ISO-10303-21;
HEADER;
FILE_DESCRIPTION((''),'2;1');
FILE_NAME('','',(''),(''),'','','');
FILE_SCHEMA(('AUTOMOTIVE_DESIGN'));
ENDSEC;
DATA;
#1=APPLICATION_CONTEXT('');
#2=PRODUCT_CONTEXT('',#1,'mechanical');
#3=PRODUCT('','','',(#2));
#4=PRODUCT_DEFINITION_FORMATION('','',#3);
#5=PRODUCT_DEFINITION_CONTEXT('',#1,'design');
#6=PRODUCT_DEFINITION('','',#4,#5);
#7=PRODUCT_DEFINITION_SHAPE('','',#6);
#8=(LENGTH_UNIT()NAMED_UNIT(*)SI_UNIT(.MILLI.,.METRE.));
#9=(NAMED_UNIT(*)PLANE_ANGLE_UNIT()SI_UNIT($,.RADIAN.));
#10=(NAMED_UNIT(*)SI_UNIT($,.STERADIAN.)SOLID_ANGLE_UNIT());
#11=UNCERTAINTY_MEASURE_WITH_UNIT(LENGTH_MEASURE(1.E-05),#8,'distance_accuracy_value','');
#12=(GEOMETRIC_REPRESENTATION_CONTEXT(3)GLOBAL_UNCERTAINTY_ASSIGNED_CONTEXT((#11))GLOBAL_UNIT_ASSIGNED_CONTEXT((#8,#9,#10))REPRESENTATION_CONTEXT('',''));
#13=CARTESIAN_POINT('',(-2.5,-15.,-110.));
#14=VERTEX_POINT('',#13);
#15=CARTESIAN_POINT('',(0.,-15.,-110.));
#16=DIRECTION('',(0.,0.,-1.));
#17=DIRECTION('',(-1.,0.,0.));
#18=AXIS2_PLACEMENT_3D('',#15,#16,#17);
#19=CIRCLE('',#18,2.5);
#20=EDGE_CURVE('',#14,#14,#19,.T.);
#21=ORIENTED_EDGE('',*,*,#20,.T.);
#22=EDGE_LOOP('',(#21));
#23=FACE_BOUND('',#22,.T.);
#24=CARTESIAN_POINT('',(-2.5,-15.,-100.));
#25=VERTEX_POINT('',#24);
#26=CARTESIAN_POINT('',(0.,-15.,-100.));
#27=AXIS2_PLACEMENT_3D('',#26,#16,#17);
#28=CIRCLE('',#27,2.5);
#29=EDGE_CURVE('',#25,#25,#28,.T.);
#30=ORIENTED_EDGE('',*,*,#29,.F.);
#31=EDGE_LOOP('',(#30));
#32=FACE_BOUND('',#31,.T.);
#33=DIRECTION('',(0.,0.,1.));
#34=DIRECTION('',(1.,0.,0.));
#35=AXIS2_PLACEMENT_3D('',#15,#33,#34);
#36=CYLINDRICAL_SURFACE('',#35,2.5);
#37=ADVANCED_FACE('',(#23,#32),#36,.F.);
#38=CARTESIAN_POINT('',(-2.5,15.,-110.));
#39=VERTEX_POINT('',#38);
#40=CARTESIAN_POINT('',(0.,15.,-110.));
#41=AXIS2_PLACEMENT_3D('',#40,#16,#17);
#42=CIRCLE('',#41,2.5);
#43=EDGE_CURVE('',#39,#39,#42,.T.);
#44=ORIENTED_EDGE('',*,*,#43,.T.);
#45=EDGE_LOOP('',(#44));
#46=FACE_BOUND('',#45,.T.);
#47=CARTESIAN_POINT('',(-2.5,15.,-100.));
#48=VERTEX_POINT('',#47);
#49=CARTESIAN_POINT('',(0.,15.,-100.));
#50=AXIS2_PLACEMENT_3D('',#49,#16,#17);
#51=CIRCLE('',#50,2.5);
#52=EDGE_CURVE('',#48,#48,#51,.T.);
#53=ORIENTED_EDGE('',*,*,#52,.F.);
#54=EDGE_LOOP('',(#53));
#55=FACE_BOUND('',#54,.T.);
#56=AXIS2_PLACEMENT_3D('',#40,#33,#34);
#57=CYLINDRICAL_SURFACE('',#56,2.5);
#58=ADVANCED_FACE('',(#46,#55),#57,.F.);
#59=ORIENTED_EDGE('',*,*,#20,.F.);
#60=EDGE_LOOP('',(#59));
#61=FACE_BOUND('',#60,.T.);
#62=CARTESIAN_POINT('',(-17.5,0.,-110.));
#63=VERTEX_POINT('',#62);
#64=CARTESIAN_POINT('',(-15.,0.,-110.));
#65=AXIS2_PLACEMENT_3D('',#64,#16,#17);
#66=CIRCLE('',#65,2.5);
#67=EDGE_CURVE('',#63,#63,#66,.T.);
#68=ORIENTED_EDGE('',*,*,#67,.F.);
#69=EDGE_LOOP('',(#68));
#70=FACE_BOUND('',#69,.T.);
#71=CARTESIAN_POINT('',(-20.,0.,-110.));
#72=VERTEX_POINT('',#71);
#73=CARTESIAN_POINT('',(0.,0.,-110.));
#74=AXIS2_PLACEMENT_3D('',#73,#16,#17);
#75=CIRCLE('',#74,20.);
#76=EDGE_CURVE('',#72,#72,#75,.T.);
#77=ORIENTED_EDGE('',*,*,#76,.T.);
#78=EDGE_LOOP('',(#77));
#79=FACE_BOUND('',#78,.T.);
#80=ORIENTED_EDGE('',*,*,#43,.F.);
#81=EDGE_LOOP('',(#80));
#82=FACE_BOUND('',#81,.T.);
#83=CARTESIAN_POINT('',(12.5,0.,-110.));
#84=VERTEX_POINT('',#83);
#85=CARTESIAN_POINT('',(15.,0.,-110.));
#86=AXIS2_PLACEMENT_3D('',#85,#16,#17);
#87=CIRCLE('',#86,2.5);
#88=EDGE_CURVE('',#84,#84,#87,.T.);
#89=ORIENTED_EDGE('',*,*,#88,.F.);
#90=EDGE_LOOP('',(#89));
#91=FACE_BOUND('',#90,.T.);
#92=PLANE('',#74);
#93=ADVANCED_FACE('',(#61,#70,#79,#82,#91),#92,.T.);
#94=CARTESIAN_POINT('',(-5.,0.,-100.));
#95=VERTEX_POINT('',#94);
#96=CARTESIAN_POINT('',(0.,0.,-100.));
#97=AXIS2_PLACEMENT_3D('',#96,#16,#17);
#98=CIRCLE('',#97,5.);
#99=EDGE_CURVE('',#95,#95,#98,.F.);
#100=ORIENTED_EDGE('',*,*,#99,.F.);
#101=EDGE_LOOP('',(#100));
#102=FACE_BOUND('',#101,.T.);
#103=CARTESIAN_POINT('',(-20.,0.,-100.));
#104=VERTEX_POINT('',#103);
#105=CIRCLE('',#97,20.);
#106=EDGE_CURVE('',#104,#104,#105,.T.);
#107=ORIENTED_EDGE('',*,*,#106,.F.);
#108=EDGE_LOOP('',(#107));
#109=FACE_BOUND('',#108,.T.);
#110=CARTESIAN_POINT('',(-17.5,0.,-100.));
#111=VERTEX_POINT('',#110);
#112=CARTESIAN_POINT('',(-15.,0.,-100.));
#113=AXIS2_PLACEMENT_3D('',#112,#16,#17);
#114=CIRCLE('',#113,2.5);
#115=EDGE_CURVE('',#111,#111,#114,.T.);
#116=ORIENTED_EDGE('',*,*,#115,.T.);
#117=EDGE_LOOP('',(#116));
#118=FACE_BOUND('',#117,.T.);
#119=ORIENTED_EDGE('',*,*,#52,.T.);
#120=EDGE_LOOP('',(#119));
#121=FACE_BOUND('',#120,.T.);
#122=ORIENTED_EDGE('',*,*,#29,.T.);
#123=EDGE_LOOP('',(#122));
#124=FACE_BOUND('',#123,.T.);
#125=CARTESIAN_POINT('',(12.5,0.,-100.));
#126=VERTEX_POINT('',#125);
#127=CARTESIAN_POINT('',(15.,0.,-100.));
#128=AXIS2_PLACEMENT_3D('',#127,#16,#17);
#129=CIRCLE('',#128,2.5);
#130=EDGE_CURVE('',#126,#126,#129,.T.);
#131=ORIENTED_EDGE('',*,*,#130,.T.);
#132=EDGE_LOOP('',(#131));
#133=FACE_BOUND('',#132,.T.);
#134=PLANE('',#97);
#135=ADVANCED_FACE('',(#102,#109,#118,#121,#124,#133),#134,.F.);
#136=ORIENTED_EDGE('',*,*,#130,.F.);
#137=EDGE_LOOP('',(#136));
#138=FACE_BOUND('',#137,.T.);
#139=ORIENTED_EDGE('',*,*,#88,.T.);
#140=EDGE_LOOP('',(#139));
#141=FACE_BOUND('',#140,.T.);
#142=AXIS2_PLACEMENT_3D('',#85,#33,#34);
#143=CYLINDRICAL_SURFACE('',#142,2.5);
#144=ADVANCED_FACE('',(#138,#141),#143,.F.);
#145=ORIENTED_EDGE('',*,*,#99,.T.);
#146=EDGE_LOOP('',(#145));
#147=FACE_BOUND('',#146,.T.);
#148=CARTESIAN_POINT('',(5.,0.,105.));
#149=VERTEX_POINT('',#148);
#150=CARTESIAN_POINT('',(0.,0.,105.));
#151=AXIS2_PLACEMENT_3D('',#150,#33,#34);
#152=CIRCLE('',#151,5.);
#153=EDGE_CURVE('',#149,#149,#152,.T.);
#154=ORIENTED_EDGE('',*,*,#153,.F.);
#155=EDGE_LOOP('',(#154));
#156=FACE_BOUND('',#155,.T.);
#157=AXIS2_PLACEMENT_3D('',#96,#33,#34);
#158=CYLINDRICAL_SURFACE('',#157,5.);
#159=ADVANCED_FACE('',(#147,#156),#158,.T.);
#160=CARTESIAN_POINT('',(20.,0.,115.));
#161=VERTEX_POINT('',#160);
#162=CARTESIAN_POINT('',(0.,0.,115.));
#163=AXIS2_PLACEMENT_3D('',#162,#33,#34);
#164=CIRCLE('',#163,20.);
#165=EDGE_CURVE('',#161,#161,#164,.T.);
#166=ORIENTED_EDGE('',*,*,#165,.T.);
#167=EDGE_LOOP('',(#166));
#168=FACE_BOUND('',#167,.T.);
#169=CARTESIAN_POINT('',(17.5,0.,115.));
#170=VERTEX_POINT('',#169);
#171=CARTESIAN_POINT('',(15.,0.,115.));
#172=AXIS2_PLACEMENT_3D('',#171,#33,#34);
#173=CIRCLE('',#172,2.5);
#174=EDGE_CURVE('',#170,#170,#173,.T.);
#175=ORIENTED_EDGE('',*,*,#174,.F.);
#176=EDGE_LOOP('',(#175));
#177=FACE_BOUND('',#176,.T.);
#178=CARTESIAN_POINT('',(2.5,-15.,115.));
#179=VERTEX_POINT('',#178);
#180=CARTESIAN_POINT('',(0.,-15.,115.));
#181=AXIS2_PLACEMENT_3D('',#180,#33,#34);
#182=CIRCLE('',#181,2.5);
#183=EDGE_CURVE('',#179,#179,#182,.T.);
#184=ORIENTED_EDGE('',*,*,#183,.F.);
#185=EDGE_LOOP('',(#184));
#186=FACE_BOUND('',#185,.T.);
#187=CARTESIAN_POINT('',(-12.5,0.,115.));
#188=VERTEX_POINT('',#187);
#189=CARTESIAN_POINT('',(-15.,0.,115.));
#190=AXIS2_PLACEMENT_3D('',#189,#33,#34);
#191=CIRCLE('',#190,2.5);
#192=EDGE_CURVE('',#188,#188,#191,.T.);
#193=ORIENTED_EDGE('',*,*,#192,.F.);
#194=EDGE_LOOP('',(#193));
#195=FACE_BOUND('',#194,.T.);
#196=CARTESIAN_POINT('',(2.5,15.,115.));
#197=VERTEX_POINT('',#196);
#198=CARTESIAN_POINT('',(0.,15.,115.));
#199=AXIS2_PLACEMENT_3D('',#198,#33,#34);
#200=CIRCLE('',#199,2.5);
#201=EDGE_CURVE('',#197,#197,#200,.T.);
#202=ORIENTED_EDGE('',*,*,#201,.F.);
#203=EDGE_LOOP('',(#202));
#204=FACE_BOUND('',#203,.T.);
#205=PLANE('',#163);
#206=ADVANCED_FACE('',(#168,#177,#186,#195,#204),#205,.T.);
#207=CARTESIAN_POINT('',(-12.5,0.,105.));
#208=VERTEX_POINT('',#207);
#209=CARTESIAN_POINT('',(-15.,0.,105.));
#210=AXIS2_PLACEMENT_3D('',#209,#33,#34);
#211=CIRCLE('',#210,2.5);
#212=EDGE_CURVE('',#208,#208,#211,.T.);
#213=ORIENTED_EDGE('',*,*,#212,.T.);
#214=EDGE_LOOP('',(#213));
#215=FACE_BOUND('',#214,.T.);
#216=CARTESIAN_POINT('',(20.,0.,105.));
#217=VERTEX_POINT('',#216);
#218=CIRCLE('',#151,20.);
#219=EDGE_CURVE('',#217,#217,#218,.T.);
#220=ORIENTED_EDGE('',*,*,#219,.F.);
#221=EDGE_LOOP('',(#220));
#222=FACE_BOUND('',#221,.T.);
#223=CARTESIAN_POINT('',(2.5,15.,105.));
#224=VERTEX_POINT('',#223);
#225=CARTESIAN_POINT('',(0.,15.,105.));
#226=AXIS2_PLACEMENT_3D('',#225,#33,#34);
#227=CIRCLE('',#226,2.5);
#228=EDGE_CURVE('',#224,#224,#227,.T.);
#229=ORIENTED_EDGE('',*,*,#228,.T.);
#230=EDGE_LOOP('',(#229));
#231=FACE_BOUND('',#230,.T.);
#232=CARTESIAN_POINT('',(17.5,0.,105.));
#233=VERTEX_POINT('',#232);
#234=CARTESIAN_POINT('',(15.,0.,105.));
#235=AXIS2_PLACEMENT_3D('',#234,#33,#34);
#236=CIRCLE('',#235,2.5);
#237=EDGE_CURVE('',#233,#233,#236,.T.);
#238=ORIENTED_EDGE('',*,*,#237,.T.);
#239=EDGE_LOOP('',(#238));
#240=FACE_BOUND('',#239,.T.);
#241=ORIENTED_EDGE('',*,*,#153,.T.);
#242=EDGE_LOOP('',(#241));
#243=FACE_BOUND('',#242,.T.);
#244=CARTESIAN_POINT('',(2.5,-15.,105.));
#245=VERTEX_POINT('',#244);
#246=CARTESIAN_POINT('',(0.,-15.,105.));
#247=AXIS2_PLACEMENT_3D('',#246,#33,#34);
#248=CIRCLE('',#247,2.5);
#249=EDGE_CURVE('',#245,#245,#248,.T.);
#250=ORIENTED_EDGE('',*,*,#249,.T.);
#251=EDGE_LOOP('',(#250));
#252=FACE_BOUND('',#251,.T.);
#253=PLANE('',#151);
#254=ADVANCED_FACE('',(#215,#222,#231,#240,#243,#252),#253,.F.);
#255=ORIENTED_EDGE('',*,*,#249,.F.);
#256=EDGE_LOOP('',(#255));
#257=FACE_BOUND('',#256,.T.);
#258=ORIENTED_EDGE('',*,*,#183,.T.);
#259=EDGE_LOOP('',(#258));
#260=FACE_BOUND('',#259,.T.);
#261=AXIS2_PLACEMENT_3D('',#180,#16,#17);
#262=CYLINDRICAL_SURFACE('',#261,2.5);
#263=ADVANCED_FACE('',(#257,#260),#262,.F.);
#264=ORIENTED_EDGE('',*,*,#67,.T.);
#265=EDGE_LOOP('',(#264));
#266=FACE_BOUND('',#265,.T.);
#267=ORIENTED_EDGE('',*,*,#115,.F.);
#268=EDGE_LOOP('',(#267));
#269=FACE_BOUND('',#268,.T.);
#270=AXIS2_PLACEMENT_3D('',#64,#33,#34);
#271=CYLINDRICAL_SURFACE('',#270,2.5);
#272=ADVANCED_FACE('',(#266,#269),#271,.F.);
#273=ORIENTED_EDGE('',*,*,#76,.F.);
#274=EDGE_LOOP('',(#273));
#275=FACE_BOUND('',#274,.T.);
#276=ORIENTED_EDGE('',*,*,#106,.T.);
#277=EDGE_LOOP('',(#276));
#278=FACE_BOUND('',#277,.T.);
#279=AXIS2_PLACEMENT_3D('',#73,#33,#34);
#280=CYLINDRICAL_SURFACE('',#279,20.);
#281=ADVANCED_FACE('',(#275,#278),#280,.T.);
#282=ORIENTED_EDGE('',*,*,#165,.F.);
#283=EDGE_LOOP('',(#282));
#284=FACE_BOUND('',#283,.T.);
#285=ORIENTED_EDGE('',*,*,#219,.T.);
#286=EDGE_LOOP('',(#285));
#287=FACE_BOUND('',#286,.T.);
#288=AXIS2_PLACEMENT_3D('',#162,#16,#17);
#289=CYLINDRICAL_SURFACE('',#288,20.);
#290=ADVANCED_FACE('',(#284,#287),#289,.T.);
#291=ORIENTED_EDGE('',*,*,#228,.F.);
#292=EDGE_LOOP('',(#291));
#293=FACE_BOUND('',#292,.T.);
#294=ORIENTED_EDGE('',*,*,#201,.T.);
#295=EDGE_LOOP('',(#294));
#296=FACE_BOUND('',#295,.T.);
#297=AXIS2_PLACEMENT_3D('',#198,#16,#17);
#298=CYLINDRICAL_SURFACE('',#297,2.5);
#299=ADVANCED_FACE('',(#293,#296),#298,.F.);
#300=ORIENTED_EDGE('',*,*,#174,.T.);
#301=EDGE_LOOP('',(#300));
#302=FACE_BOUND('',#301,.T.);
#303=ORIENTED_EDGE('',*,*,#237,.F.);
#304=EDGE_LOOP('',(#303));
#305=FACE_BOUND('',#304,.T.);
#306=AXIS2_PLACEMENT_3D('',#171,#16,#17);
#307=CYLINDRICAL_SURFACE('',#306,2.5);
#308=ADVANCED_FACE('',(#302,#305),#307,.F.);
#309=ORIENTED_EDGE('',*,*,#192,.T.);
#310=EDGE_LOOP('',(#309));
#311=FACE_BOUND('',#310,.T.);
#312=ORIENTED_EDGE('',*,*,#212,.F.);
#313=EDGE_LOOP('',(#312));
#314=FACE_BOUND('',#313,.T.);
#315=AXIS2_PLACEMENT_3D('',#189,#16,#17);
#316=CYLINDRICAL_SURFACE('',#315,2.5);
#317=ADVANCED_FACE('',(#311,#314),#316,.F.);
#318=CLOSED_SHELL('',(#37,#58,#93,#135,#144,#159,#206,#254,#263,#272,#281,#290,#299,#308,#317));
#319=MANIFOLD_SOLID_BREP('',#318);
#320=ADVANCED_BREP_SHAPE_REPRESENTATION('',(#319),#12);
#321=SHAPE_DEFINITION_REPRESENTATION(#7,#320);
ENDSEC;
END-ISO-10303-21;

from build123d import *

# Parameters (mm, degrees)
SKETCH1_R                = 5
BOSS_EXTRUDE1_DEPTH      = 105
BOSS_EXTRUDE1_DEPTH_BACK = 100
SKETCH2_R                = 20
SKETCH2_R_2              = 2.5
BOSS_EXTRUDE2_DEPTH      = 10
SKETCH3_R                = 20
SKETCH3_R_2              = 2.5
BOSS_EXTRUDE3_DEPTH      = 10


with BuildPart() as part:
    # Sketch1 → Boss-Extrude1 (new body, two sides)
    with BuildSketch(Plane.XY) as boss_extrude1_sk:
        Circle(SKETCH1_R)
    extrude(amount=BOSS_EXTRUDE1_DEPTH)
    extrude(boss_extrude1_sk.sketch, amount=-BOSS_EXTRUDE1_DEPTH_BACK)

    # Sketch2 → Boss-Extrude2 (add)
    with BuildSketch(Plane.XY.offset(105)):
        Circle(SKETCH2_R)
        with Locations((0, 15)):
            Circle(SKETCH2_R_2, mode=Mode.SUBTRACT)
        with Locations((15, 0)):
            Circle(SKETCH2_R_2, mode=Mode.SUBTRACT)
        with Locations((0, -15)):
            Circle(SKETCH2_R_2, mode=Mode.SUBTRACT)
        with Locations((-15, 0)):
            Circle(SKETCH2_R_2, mode=Mode.SUBTRACT)
    extrude(amount=BOSS_EXTRUDE2_DEPTH)

    # Sketch3 → Boss-Extrude3 (add)
    with BuildSketch(Plane(origin=(0, 0, -100), x_dir=(-1, 0, 0), z_dir=(0, 0, -1))):
        Circle(SKETCH3_R)
        with Locations((0, 15)):
            Circle(SKETCH3_R_2, mode=Mode.SUBTRACT)
        with Locations((-15, 0)):
            Circle(SKETCH3_R_2, mode=Mode.SUBTRACT)
        with Locations((0, -15)):
            Circle(SKETCH3_R_2, mode=Mode.SUBTRACT)
        with Locations((15, 0)):
            Circle(SKETCH3_R_2, mode=Mode.SUBTRACT)
    extrude(amount=BOSS_EXTRUDE3_DEPTH)


solid = part.part
